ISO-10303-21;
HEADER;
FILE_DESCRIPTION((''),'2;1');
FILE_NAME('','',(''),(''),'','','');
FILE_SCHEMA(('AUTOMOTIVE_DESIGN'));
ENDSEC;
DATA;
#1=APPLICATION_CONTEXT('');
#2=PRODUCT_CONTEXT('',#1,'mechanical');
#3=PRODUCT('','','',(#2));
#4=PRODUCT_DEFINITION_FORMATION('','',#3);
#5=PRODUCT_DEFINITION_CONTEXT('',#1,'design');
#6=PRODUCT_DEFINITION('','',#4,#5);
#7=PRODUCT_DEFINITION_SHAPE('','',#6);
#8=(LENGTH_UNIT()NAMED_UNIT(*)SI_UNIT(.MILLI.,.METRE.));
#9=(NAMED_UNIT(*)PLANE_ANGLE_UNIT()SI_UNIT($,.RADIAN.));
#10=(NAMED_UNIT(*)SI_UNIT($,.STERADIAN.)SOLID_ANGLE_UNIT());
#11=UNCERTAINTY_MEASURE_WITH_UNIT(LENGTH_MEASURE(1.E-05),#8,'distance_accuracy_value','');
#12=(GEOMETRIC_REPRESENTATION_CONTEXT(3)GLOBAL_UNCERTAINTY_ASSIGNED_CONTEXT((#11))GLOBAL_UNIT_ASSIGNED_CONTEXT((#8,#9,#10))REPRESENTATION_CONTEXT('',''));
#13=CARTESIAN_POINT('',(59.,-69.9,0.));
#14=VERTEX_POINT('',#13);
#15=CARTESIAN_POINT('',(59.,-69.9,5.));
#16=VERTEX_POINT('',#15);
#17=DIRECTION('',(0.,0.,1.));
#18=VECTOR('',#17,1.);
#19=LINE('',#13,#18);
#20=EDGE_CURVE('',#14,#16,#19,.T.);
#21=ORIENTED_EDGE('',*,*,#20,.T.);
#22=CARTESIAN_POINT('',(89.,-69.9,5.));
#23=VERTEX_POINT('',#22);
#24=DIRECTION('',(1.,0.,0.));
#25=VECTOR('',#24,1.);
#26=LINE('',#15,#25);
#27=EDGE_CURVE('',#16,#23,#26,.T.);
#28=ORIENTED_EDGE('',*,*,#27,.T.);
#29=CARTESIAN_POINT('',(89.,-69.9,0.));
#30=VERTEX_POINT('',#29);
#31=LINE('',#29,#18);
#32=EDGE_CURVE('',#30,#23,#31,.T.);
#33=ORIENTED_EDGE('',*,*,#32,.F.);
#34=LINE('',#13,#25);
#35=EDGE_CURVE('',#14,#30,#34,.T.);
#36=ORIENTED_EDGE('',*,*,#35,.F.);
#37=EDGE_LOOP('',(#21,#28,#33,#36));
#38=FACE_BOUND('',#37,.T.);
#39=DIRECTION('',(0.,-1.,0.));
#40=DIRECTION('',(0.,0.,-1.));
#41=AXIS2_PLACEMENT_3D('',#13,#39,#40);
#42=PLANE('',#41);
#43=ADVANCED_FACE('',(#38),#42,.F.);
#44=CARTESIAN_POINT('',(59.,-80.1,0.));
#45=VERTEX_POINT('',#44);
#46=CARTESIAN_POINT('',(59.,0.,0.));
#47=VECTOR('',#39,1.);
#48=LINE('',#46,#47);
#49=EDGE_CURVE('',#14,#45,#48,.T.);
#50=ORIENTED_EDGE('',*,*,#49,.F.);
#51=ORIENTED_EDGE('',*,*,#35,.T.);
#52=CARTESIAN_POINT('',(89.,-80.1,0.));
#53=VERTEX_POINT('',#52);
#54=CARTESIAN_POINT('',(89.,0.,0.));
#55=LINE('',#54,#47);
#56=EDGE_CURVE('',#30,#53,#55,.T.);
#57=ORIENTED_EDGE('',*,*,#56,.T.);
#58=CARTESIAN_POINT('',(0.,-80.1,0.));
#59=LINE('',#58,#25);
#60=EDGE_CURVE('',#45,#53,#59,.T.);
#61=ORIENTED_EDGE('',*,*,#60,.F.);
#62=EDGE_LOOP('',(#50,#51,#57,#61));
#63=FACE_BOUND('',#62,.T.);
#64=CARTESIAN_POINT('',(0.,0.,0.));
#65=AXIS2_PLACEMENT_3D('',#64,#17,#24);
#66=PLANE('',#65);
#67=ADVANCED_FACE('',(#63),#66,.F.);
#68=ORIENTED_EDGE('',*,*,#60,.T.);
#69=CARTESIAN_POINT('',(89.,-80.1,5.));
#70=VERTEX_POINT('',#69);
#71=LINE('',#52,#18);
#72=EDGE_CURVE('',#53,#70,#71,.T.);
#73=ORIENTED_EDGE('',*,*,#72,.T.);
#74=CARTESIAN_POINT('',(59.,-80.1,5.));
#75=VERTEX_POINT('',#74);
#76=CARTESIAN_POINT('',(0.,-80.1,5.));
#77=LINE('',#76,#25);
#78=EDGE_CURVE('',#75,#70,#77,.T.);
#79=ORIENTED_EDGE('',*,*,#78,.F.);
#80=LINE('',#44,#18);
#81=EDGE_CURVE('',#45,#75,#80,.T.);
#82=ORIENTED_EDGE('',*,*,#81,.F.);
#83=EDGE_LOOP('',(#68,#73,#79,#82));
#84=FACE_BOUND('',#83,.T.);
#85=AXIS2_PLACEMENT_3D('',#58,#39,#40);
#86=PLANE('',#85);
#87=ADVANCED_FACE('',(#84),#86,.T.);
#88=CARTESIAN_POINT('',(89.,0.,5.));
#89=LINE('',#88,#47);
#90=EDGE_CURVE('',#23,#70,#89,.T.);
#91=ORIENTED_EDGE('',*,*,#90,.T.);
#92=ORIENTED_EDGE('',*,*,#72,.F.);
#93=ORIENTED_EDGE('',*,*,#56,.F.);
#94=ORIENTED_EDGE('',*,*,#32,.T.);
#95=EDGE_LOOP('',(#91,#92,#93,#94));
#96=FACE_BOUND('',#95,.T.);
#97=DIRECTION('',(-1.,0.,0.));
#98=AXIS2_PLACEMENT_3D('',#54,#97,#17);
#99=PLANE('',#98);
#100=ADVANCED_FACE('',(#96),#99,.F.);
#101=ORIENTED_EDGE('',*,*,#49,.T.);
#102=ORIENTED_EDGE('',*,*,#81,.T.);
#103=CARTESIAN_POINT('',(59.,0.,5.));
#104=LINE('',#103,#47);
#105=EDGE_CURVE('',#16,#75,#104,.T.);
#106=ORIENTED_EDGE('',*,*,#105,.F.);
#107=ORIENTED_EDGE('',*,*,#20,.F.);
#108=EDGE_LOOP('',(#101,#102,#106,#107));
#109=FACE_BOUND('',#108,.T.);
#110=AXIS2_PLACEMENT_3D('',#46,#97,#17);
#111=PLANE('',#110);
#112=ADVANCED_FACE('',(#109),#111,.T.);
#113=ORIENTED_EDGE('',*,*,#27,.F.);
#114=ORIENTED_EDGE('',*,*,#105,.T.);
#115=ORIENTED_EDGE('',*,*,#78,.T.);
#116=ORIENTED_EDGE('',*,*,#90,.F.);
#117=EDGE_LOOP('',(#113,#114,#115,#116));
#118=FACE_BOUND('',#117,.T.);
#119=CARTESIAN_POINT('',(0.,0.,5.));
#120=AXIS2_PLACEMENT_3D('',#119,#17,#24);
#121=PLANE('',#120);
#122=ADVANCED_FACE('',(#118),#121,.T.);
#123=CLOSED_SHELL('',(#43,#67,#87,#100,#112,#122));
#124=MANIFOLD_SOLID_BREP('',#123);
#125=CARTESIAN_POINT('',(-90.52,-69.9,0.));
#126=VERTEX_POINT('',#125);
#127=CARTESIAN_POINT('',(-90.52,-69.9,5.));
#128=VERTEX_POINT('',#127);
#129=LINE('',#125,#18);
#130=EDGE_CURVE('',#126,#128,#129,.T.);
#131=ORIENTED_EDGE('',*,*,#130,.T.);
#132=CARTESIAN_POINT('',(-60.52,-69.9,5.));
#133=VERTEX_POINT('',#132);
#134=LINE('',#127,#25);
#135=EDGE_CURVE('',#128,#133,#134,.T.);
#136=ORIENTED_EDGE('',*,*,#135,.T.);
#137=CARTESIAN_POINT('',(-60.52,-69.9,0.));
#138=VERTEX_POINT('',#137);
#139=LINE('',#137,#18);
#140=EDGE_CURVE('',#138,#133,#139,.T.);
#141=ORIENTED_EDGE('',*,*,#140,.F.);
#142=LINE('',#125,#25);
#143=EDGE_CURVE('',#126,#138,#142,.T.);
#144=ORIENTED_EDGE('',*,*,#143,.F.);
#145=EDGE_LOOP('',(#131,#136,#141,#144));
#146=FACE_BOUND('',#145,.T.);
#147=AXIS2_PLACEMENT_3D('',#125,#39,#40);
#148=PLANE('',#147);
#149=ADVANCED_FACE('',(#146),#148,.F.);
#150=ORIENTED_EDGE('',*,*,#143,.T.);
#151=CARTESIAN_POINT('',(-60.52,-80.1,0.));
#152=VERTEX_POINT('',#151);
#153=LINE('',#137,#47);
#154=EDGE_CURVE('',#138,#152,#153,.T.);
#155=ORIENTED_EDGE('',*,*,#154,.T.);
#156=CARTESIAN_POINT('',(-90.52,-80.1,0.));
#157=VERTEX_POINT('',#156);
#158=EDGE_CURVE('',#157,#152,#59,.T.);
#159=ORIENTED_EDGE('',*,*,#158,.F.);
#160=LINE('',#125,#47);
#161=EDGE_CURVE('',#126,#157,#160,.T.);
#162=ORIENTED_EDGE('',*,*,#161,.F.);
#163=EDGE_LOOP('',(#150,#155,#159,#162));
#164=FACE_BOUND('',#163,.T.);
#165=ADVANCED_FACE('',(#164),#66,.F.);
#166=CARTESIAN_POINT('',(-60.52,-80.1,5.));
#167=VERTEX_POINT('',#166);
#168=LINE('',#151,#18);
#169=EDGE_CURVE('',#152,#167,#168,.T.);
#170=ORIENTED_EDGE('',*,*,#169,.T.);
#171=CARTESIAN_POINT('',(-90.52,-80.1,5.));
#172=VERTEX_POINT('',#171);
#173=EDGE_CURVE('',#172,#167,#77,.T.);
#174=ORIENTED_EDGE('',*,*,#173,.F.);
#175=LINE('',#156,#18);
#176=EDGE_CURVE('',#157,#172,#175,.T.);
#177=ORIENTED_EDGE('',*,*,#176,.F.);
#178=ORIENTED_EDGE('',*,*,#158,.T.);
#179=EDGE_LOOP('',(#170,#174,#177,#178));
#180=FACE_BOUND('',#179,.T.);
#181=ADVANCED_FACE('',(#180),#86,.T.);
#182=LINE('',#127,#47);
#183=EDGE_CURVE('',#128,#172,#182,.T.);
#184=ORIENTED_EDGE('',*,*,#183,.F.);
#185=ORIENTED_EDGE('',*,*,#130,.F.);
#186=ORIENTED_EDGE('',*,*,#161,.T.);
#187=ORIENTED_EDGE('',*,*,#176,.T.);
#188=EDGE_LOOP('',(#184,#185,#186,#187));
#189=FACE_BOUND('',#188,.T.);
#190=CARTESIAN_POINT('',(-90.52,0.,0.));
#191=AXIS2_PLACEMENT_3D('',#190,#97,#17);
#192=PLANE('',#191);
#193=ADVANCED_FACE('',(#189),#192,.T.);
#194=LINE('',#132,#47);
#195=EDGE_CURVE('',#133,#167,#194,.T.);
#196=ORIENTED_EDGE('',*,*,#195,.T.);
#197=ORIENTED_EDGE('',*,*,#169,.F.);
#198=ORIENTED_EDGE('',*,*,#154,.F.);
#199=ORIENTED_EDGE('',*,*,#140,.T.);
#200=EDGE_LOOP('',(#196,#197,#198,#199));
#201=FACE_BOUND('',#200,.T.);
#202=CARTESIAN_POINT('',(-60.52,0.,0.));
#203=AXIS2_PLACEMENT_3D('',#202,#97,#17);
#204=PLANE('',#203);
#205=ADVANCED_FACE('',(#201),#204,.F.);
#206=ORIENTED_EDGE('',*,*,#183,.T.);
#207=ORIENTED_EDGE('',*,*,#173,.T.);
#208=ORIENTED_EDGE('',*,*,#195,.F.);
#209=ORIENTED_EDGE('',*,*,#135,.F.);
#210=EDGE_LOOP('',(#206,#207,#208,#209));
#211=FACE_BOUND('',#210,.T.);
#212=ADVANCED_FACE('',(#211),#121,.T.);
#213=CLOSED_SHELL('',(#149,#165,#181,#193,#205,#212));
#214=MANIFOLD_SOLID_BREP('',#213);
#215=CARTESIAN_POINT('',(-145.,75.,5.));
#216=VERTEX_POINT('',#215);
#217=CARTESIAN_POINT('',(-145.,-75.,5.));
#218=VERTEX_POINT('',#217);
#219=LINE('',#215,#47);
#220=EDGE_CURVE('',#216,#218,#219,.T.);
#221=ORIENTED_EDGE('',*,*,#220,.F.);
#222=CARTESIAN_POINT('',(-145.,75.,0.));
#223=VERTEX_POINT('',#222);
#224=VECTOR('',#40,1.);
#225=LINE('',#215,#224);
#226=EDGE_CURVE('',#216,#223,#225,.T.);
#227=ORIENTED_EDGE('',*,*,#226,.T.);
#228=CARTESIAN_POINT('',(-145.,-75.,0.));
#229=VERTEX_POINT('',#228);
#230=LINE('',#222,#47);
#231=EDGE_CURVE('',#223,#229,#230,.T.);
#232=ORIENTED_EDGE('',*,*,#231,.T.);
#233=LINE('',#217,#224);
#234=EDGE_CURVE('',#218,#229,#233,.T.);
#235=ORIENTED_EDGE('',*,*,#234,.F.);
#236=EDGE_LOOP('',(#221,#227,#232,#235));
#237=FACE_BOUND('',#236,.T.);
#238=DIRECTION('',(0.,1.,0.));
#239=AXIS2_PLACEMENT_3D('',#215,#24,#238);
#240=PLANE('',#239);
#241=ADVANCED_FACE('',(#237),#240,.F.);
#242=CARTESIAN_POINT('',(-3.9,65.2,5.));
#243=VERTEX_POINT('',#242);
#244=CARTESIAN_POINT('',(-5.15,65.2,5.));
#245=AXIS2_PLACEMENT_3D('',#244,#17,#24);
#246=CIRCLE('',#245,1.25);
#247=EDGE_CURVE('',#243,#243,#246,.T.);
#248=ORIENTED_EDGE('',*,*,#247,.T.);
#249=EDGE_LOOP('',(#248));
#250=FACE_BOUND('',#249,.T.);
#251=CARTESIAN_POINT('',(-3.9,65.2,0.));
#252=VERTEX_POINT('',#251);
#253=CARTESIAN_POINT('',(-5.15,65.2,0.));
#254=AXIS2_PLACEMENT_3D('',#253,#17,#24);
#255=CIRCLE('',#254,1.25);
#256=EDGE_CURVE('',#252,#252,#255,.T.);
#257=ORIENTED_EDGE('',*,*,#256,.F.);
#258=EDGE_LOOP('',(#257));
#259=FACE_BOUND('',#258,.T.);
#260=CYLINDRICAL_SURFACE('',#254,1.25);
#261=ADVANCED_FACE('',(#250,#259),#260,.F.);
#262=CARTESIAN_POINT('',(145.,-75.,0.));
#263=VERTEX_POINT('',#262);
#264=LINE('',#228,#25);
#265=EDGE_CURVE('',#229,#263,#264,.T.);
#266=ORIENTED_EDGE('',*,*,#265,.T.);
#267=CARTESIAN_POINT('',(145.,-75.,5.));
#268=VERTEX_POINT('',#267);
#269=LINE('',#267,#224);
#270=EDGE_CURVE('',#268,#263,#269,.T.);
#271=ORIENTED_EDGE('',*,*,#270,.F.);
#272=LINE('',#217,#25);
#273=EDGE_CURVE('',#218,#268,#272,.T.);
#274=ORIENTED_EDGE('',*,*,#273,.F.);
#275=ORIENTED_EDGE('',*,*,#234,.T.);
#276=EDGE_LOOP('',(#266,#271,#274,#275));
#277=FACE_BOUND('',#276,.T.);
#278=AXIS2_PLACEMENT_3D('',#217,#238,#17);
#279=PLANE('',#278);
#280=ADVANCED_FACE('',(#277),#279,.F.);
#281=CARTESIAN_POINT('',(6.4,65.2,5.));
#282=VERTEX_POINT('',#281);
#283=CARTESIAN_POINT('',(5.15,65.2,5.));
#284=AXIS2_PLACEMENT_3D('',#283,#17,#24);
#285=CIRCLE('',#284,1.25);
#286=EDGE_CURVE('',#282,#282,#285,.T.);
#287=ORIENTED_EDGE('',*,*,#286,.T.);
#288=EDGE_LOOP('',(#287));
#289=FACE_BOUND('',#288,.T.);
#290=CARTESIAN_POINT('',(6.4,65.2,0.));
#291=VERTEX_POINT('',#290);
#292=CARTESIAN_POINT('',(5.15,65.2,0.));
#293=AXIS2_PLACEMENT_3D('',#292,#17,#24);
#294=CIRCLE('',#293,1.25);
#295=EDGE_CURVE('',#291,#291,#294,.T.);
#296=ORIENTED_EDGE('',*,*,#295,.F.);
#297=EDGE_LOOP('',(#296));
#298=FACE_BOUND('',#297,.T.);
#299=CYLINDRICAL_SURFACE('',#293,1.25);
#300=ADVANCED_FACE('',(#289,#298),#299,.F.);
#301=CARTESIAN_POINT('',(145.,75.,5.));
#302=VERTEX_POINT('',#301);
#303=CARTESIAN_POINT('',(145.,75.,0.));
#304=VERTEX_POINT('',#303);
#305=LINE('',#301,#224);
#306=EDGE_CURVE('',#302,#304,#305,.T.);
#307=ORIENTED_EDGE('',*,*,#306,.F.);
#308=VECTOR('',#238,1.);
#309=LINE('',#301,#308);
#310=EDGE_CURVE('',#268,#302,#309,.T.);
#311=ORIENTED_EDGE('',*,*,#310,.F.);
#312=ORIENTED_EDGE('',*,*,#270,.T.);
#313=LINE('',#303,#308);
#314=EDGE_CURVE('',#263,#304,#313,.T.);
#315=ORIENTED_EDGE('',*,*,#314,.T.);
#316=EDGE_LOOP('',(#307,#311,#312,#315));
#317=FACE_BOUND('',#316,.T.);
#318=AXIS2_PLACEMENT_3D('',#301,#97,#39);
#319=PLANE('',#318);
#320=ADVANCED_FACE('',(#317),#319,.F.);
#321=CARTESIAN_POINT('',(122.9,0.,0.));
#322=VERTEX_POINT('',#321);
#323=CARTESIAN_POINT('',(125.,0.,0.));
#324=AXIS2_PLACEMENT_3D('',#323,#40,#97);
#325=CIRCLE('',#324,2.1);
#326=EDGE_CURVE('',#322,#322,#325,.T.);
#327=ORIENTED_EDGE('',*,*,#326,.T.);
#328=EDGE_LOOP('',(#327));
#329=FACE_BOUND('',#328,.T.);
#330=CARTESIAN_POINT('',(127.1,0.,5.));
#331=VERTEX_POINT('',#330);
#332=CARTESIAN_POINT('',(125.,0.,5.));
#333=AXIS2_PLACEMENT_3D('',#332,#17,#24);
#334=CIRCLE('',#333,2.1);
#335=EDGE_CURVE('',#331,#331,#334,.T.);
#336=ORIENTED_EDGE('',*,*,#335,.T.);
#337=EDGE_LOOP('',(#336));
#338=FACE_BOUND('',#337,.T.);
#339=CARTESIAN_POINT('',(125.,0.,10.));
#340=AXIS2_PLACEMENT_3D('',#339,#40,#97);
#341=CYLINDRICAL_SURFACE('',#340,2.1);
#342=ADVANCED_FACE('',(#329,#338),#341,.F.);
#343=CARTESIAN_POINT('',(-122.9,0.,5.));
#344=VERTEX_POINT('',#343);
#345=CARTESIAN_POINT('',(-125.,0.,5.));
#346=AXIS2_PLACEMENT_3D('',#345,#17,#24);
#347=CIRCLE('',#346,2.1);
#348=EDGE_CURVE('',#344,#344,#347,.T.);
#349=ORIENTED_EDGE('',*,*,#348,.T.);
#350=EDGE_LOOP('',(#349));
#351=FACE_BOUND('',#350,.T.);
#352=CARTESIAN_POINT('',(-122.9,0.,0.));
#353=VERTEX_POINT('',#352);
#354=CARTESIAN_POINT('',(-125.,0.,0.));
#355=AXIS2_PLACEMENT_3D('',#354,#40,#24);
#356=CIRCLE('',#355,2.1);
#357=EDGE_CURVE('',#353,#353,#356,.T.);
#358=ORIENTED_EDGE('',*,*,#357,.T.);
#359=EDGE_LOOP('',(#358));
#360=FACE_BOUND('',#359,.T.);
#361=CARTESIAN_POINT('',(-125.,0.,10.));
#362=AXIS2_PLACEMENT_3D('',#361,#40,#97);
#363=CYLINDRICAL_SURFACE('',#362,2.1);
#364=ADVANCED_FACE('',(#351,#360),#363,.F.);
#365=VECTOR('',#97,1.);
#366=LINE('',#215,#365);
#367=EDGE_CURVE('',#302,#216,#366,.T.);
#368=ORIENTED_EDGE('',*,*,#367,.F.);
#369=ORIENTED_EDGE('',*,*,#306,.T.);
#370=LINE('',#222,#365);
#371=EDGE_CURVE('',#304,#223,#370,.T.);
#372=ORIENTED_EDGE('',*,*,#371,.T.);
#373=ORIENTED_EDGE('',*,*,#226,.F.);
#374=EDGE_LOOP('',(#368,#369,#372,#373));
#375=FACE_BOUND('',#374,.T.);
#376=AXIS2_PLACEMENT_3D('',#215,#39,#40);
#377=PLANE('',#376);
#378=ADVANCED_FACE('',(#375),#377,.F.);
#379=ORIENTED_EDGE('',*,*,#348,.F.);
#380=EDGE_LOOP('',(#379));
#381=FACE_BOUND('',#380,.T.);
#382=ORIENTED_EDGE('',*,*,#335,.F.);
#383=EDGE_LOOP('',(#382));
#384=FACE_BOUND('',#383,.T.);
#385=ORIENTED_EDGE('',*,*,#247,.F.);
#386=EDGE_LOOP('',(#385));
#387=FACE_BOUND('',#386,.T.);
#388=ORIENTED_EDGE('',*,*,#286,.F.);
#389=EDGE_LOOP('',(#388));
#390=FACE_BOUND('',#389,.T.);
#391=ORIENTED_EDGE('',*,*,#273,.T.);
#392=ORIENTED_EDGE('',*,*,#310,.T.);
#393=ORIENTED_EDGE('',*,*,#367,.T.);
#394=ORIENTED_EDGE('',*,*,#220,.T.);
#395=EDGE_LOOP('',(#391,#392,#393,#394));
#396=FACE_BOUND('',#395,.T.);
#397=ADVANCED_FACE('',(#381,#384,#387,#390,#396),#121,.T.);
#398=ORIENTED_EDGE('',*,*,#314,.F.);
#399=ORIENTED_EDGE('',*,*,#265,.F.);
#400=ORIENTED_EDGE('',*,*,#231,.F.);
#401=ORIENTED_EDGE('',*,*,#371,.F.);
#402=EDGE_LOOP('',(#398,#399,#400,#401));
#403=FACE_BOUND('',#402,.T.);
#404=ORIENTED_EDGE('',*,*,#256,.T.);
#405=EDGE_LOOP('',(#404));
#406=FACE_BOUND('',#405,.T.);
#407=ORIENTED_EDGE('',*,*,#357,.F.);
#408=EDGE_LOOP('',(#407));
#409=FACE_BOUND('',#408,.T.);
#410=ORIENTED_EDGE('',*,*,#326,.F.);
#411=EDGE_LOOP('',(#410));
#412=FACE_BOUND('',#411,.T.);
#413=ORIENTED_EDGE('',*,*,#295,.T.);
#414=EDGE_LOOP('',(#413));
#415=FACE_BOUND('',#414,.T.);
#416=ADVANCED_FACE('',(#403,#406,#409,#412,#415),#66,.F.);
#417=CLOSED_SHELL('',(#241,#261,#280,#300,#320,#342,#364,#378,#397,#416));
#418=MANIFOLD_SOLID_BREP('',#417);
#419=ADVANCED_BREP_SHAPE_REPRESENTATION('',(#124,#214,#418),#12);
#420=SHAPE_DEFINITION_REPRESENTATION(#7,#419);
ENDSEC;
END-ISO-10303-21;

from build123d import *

# Parameters (mm, degrees)
SKETCH1_W             = 290
SKETCH1_H             = 150
BOSS_EXTRUDE1_DEPTH   = 5
CUT_EXTRUDE1_DEPTH    = 5
SKETCH3_W             = 30
SKETCH3_H             = 10.2
BOSS_EXTRUDE2_DEPTH   = 5
BOSS_EXTRUDE2_2_DEPTH = 5
SKETCH4_R             = 2.1
CUT_EXTRUDE2_DEPTH    = 10


with BuildPart() as part:
    # Sketch1 → Boss-Extrude1 (new body)
    with BuildSketch(Plane.XY):
        Rectangle(SKETCH1_W, SKETCH1_H)
    extrude(amount=BOSS_EXTRUDE1_DEPTH)

    # Sketch2 → Cut-Extrude1 (cut)
    with BuildSketch(Plane.XY.offset(5)):
        with BuildLine():
            Line((-6.4, 65.2), (-5.15, 65.2))
            Line((-5.15, 65.2), (-3.9, 65.2))
            ThreePointArc((-3.9, 65.2), (-5.15, 66.45), (-6.4, 65.2))
        make_face()
        with BuildLine():
            Line((-3.9, 65.2), (-5.15, 65.2))
            Line((-5.15, 65.2), (-6.4, 65.2))
            ThreePointArc((-6.4, 65.2), (-5.15, 63.95), (-3.9, 65.2))
        make_face()
        with BuildLine():
            ThreePointArc((6.4, 65.2), (5.15, 66.45), (3.9, 65.2))
            Line((3.9, 65.2), (5.15, 65.2))
            Line((5.15, 65.2), (6.4, 65.2))
        make_face()
        with BuildLine():
            Line((5.15, 65.2), (3.9, 65.2))
            ThreePointArc((3.9, 65.2), (5.15, 63.95), (6.4, 65.2))
            Line((6.4, 65.2), (5.15, 65.2))
        make_face()
    extrude(amount=-CUT_EXTRUDE1_DEPTH, mode=Mode.SUBTRACT)

    # Sketch4 → Cut-Extrude2 (cut)
    with BuildSketch(Plane(origin=(0, 0, 0), x_dir=(-1, 0, 0), z_dir=(0, 0, -1))):
        with Locations((-125, 0)):
            Circle(SKETCH4_R)
        with Locations(Location((125, 0, 0), (0, 0, 180))):
            Circle(SKETCH4_R)
    extrude(amount=-CUT_EXTRUDE2_DEPTH, mode=Mode.SUBTRACT)


with BuildPart() as body_2:
    # Sketch3 → Boss-Extrude2 (new body)
    with BuildSketch(Plane.XY.offset(5)):
        with Locations((-75.52, -75)):
            Rectangle(SKETCH3_W, SKETCH3_H)
    extrude(amount=-BOSS_EXTRUDE2_DEPTH)


with BuildPart() as body_3:
    # Sketch3 → Boss-Extrude2 2 (new body)
    with BuildSketch(Plane.XY.offset(5)):
        with Locations((74, -75)):
            Rectangle(SKETCH3_W, SKETCH3_H)
    extrude(amount=-BOSS_EXTRUDE2_2_DEPTH)


solid = Compound([part.part, body_2.part, body_3.part])
